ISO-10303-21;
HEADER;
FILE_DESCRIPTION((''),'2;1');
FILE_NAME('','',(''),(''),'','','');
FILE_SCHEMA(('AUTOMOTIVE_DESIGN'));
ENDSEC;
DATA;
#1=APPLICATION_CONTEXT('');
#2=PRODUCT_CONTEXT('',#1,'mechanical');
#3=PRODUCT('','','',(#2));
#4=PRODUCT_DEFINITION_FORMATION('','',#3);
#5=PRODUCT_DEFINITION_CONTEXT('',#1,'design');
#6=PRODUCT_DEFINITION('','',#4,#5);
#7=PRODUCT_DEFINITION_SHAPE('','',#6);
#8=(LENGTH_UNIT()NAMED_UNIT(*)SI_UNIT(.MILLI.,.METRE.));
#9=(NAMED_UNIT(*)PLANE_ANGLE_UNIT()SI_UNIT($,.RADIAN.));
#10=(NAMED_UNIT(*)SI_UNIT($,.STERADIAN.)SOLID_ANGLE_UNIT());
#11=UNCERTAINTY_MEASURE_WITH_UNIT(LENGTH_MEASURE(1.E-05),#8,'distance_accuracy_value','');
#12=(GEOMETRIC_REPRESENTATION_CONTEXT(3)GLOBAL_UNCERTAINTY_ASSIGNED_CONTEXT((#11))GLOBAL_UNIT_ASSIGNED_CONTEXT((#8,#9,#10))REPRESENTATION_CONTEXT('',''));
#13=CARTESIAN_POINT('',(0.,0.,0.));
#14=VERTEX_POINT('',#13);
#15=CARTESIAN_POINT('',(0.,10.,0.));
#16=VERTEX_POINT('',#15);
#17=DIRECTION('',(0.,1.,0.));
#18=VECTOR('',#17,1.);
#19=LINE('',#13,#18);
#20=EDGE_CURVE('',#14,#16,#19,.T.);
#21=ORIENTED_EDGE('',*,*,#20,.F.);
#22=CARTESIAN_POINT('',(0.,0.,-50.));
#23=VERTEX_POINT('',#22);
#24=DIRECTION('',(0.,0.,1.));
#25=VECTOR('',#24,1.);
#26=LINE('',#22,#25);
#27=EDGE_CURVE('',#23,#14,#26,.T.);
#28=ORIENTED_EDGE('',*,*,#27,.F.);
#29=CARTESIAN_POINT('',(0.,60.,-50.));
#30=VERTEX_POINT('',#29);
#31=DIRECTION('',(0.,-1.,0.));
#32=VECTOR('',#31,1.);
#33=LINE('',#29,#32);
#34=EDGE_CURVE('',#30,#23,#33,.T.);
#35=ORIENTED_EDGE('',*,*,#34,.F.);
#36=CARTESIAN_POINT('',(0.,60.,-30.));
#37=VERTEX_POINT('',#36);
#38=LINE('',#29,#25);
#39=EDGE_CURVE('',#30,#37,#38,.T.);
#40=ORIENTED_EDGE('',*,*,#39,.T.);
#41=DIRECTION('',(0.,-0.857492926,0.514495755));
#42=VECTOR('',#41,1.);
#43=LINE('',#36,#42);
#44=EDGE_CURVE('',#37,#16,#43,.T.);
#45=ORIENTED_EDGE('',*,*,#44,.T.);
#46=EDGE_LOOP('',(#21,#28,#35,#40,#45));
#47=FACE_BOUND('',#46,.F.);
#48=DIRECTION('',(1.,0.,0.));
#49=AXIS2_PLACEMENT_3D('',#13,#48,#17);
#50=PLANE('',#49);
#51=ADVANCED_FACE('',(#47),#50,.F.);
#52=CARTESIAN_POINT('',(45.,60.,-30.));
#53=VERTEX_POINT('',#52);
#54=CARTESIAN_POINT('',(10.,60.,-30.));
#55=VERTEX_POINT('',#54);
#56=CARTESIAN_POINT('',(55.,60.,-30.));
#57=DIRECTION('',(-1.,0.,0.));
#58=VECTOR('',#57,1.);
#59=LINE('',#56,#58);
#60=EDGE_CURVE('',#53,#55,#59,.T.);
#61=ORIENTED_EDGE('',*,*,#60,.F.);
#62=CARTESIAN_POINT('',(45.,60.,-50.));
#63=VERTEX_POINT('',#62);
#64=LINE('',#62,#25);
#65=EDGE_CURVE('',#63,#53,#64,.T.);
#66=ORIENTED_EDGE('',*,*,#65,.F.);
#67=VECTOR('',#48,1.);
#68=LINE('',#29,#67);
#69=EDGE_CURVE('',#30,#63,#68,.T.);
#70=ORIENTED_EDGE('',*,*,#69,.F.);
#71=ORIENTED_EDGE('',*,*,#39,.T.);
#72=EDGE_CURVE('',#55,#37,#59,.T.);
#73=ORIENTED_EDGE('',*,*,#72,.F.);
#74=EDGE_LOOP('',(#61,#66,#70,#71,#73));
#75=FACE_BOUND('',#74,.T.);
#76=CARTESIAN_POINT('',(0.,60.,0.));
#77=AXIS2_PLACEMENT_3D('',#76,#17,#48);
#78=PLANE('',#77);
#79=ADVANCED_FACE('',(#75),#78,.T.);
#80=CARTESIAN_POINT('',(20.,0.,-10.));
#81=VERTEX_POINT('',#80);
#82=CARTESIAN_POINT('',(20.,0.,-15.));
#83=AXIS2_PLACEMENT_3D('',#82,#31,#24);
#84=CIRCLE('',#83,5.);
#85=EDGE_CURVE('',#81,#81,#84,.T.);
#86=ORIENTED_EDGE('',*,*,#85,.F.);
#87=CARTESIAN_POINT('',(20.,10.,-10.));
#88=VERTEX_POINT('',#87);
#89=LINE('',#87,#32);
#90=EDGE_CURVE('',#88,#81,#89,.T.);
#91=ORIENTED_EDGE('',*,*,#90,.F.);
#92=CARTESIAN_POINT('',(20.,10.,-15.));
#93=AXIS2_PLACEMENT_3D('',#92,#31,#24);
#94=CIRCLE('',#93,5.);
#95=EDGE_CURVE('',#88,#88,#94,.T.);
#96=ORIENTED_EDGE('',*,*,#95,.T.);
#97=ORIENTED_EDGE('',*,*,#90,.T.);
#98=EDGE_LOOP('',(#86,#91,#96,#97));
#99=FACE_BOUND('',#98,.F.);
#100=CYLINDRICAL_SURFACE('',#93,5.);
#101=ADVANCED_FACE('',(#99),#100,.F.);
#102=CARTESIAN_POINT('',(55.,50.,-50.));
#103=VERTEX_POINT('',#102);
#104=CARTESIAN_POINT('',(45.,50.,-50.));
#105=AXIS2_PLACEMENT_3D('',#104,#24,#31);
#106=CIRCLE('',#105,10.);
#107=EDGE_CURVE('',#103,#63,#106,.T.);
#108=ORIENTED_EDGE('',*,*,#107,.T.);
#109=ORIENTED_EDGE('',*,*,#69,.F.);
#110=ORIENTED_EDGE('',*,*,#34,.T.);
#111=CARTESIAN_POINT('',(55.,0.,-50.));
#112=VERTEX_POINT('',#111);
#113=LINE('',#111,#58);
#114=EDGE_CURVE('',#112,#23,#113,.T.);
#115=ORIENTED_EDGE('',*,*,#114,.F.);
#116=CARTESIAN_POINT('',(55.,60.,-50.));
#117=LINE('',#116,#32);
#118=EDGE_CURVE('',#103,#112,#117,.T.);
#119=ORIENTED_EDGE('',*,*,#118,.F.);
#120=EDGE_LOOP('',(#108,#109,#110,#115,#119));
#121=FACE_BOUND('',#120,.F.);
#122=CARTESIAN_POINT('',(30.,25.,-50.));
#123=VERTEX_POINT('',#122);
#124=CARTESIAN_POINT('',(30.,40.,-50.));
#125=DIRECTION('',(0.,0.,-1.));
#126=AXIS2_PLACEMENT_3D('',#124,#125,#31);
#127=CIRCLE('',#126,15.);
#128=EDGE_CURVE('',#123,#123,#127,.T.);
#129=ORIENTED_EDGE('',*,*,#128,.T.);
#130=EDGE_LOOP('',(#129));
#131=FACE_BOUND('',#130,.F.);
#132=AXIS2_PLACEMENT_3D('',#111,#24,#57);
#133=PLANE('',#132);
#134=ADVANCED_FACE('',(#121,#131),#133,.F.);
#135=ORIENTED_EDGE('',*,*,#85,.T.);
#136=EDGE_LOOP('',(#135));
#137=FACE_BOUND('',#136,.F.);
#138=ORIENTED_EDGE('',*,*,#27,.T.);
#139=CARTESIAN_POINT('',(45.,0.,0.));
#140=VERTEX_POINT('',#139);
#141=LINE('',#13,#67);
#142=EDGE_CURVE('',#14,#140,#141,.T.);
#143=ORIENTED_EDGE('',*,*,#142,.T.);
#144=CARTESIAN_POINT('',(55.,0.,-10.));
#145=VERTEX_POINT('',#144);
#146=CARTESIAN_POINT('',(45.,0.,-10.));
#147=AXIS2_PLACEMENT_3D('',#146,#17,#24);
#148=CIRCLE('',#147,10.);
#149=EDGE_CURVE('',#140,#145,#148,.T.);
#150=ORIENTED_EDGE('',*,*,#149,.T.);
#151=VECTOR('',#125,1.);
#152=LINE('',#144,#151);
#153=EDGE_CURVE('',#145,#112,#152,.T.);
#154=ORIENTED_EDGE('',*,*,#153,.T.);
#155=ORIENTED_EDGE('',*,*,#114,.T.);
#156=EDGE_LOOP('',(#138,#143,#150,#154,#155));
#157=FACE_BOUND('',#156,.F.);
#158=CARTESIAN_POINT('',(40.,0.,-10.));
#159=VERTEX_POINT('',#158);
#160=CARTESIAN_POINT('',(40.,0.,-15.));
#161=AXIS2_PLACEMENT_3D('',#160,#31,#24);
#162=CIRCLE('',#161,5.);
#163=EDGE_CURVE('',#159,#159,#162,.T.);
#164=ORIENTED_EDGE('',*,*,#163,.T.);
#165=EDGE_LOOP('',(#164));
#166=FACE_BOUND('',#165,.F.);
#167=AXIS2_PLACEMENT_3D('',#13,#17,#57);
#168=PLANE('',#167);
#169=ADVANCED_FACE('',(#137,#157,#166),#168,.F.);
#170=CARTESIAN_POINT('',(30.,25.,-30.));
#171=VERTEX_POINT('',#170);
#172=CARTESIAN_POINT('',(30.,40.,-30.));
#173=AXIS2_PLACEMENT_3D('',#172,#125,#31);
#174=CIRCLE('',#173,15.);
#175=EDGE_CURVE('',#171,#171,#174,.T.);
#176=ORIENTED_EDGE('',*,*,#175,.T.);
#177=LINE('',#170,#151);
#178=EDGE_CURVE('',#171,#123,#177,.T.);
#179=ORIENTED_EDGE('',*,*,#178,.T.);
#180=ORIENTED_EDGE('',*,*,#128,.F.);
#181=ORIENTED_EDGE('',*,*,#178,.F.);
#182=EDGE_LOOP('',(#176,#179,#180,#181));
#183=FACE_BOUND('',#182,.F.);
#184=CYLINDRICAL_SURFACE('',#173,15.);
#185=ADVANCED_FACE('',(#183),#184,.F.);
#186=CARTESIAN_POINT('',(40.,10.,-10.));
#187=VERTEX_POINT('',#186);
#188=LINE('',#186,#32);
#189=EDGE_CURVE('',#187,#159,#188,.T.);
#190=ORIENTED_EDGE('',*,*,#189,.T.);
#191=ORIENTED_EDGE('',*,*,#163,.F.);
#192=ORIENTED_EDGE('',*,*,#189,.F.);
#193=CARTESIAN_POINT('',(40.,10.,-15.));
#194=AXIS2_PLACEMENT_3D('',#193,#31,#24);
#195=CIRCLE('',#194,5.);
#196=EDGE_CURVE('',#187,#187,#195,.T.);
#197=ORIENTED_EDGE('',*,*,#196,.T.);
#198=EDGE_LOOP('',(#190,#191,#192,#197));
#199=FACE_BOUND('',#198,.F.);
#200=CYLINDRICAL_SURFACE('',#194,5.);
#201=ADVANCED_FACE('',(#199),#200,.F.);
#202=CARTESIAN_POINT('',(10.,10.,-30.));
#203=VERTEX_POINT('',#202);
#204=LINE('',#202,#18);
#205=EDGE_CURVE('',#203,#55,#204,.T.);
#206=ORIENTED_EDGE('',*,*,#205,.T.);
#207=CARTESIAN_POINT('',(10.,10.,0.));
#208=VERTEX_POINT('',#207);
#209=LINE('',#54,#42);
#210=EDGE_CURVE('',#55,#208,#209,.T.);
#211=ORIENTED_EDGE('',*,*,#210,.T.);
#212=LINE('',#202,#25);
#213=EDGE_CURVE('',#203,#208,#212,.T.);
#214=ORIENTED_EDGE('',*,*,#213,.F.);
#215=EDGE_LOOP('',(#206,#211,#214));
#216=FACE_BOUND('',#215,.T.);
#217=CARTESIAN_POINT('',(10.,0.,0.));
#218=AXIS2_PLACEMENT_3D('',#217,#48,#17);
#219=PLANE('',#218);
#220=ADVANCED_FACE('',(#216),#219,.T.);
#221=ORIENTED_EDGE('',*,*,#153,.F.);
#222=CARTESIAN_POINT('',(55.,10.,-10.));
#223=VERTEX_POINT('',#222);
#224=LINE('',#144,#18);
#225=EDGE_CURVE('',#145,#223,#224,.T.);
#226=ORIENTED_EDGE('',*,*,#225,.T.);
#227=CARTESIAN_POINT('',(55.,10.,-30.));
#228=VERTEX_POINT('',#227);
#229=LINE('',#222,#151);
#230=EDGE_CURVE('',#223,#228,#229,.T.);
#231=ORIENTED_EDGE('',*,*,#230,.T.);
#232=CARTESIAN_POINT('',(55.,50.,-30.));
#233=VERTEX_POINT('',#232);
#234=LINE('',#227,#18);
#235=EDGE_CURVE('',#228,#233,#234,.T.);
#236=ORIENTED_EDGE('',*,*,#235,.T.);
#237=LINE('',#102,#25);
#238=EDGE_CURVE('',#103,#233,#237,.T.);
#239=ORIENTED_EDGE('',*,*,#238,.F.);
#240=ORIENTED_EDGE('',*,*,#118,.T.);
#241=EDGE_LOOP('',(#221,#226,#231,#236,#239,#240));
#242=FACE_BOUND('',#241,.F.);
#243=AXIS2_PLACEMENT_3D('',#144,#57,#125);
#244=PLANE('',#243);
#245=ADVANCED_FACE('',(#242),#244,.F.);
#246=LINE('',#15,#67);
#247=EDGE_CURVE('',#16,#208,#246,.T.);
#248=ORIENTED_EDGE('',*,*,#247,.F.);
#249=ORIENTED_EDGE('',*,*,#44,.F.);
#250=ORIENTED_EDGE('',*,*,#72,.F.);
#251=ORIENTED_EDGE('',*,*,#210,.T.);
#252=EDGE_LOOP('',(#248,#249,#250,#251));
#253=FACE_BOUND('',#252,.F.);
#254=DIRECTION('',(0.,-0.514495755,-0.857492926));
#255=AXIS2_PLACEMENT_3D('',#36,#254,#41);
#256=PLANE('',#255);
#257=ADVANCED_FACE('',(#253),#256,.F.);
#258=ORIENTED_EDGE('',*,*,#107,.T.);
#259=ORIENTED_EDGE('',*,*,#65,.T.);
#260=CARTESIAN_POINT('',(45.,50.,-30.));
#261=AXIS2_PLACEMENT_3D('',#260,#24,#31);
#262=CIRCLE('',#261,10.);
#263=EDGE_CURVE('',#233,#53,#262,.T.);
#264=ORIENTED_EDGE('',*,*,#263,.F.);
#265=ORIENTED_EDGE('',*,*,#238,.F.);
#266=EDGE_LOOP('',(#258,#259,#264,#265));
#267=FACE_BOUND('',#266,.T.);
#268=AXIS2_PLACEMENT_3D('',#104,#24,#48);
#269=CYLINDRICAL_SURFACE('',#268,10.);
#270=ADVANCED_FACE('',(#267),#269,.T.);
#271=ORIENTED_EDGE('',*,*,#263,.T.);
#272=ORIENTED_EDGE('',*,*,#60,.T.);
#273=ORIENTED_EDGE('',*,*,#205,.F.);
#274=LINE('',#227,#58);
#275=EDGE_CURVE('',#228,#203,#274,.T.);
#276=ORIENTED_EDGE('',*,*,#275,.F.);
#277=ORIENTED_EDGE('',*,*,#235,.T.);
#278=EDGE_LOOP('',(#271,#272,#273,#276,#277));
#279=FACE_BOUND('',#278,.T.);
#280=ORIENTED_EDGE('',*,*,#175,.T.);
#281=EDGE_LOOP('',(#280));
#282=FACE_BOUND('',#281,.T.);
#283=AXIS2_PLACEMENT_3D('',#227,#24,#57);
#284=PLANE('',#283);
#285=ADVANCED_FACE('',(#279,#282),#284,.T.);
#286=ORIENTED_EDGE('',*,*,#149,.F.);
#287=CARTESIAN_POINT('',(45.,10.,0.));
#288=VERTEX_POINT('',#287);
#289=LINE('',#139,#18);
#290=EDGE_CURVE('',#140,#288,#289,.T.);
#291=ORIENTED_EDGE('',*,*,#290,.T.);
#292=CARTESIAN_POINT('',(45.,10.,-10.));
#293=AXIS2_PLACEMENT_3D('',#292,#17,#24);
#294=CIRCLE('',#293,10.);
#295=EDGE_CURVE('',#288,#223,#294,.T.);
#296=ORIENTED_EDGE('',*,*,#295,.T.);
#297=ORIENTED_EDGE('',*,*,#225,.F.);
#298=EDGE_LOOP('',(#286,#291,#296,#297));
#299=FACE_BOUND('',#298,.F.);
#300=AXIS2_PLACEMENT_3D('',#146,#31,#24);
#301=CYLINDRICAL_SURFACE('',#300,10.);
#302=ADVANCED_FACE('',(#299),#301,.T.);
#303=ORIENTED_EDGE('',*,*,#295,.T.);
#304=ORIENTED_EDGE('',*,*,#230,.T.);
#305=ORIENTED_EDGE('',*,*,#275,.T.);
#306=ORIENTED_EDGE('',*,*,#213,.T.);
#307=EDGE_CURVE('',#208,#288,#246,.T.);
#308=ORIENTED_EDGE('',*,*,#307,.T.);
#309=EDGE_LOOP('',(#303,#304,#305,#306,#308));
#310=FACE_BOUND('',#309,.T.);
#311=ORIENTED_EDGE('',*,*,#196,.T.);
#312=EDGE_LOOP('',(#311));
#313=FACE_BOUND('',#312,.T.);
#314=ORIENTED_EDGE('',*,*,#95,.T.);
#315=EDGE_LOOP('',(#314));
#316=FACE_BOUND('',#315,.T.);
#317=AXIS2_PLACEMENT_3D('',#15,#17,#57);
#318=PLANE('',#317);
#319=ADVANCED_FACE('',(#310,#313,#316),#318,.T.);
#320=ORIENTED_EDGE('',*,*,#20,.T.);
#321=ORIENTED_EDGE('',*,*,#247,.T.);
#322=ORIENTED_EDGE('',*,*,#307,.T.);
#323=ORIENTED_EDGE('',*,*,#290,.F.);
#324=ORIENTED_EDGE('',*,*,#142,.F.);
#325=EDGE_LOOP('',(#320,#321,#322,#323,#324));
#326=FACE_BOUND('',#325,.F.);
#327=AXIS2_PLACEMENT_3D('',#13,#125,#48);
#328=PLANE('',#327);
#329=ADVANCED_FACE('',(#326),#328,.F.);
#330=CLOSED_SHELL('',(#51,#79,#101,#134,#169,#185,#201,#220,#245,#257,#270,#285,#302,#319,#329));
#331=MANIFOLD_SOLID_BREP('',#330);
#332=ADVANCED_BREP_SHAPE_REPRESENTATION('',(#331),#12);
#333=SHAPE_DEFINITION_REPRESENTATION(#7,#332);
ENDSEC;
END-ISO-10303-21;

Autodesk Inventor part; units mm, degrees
ref_plane "YZ Plane" through (0, 0, 0) normal (1, 0, 0) x (0, 1, 0)
ref_plane "XZ Plane" through (0, 0, 0) normal (0, 1, 0) x (-1, 0, 0)
ref_plane "XY Plane" through (0, 0, 0) normal (0, 0, 1) x (1, 0, 0)
sketch "Szkic1" plane through (0, 0, 0) normal (0, 1, 0) x (-1, 0, 0)
  line L0 (0, 0) -> (-45, 0)
  line L1 (-55, -10) -> (-55, -50)
  line L2 (-55, -50) -> (0, -50)
  line L3 (0, -50) -> (0, 0)
  arc A0 (-45, 0) -> (-55, -10) centre (-45, -10) ccw
  point P0 (-55, 0)
  dimension "d0" = 55
  dimension "d1" = 50
  dimension "d2" = 10
extrude "Wyciągnięcie proste1" add sketch "Szkic1" along normal blind 10
sketch "Szkic2" plane through (0, 10, 0) normal (0, 1, 0) x (1, 0, 0)
  line L0 (0, 50) -> (0, 0) projected
  line L1 (0, 50) -> (55, 50)
  line L2 (55, 50) -> (55, 30)
  line L3 (55, 30) -> (0, 30)
  line L4 (0, 30) -> (0, 50)
  dimension "d5" = 55
  dimension "d6" = 20
extrude "Wyciągnięcie proste2" add sketch "Szkic2" along normal blind 50
fillet "Zaokrąglenie1" radius 10 1 edges at (55, 60, -40)
sketch "Szkic3" plane through (0, 0, 0) normal (1, 0, 0) x (0, 1, 0)
  line L0 (0, -50) -> (0, 0) projected
  line L1 (0, 0) -> (10, 0) projected
  line L2 (10, -30) -> (10, 0) projected
  line L3 (10, -30) -> (60, -30) projected
  line L4 (60, -50) -> (60, -30) projected
  line L5 (0, -50) -> (60, -50) projected
  line L6 (60, -30) -> (50, -30) projected
  line L7 (10, -30) -> (60, -30) projected
  line L8 (10, -30) -> (50, -30) projected
  line L9 (60, -30) -> (10, 0)
sketch "Szkic4" plane through (0, 0, 0) normal (1, 0, 0) x (0, 1, 0)
  line L0 (60, -50) -> (60, -30) projected
  line L1 (10, -30) -> (50, -30) projected
  line L2 (60, -30) -> (10, -30)
  line L3 (10, -10) -> (10, 0) projected
  line L4 (10, -30) -> (10, 0)
  point P0 (0, 0)
extrude "Wyciągnięcie proste3" add sketch "Szkic3" along normal blind 10 contours L9 L3 L2
sketch "Szkic5" plane through (55, 10, -30) normal (0, 0, 1) x (1, 0, 0)
  line L0 (0, 0) -> (0, 40) projected
  line L1 (-45, 0) -> (-10, 0) projected
  point P0 (-55, -10)
  point P1 (-25, 30)
  dimension "d12" = 25
  dimension "d13" = 30
hole "Otwór1" at (30, 40, -30) direction (0, 0, -1) diameter 30 end through all
sketch "Szkic6" plane through (0, 10, 0) normal (0, 1, 0) x (1, 0, 0)
  line L0 (10, 30) -> (10, 0) projected
  line L1 (10, 30) -> (45, 30) projected
  point P0 (0, 0)
  point P1 (40, 15)
  point P2 (20, 15)
  dimension "d21" = 10
  dimension "d22" = 20
  dimension "d23" = 15
hole "Otwór2" at (20, 10, -15) at (40, 10, -15) direction (0, -1, 0) diameter 10 end through all
